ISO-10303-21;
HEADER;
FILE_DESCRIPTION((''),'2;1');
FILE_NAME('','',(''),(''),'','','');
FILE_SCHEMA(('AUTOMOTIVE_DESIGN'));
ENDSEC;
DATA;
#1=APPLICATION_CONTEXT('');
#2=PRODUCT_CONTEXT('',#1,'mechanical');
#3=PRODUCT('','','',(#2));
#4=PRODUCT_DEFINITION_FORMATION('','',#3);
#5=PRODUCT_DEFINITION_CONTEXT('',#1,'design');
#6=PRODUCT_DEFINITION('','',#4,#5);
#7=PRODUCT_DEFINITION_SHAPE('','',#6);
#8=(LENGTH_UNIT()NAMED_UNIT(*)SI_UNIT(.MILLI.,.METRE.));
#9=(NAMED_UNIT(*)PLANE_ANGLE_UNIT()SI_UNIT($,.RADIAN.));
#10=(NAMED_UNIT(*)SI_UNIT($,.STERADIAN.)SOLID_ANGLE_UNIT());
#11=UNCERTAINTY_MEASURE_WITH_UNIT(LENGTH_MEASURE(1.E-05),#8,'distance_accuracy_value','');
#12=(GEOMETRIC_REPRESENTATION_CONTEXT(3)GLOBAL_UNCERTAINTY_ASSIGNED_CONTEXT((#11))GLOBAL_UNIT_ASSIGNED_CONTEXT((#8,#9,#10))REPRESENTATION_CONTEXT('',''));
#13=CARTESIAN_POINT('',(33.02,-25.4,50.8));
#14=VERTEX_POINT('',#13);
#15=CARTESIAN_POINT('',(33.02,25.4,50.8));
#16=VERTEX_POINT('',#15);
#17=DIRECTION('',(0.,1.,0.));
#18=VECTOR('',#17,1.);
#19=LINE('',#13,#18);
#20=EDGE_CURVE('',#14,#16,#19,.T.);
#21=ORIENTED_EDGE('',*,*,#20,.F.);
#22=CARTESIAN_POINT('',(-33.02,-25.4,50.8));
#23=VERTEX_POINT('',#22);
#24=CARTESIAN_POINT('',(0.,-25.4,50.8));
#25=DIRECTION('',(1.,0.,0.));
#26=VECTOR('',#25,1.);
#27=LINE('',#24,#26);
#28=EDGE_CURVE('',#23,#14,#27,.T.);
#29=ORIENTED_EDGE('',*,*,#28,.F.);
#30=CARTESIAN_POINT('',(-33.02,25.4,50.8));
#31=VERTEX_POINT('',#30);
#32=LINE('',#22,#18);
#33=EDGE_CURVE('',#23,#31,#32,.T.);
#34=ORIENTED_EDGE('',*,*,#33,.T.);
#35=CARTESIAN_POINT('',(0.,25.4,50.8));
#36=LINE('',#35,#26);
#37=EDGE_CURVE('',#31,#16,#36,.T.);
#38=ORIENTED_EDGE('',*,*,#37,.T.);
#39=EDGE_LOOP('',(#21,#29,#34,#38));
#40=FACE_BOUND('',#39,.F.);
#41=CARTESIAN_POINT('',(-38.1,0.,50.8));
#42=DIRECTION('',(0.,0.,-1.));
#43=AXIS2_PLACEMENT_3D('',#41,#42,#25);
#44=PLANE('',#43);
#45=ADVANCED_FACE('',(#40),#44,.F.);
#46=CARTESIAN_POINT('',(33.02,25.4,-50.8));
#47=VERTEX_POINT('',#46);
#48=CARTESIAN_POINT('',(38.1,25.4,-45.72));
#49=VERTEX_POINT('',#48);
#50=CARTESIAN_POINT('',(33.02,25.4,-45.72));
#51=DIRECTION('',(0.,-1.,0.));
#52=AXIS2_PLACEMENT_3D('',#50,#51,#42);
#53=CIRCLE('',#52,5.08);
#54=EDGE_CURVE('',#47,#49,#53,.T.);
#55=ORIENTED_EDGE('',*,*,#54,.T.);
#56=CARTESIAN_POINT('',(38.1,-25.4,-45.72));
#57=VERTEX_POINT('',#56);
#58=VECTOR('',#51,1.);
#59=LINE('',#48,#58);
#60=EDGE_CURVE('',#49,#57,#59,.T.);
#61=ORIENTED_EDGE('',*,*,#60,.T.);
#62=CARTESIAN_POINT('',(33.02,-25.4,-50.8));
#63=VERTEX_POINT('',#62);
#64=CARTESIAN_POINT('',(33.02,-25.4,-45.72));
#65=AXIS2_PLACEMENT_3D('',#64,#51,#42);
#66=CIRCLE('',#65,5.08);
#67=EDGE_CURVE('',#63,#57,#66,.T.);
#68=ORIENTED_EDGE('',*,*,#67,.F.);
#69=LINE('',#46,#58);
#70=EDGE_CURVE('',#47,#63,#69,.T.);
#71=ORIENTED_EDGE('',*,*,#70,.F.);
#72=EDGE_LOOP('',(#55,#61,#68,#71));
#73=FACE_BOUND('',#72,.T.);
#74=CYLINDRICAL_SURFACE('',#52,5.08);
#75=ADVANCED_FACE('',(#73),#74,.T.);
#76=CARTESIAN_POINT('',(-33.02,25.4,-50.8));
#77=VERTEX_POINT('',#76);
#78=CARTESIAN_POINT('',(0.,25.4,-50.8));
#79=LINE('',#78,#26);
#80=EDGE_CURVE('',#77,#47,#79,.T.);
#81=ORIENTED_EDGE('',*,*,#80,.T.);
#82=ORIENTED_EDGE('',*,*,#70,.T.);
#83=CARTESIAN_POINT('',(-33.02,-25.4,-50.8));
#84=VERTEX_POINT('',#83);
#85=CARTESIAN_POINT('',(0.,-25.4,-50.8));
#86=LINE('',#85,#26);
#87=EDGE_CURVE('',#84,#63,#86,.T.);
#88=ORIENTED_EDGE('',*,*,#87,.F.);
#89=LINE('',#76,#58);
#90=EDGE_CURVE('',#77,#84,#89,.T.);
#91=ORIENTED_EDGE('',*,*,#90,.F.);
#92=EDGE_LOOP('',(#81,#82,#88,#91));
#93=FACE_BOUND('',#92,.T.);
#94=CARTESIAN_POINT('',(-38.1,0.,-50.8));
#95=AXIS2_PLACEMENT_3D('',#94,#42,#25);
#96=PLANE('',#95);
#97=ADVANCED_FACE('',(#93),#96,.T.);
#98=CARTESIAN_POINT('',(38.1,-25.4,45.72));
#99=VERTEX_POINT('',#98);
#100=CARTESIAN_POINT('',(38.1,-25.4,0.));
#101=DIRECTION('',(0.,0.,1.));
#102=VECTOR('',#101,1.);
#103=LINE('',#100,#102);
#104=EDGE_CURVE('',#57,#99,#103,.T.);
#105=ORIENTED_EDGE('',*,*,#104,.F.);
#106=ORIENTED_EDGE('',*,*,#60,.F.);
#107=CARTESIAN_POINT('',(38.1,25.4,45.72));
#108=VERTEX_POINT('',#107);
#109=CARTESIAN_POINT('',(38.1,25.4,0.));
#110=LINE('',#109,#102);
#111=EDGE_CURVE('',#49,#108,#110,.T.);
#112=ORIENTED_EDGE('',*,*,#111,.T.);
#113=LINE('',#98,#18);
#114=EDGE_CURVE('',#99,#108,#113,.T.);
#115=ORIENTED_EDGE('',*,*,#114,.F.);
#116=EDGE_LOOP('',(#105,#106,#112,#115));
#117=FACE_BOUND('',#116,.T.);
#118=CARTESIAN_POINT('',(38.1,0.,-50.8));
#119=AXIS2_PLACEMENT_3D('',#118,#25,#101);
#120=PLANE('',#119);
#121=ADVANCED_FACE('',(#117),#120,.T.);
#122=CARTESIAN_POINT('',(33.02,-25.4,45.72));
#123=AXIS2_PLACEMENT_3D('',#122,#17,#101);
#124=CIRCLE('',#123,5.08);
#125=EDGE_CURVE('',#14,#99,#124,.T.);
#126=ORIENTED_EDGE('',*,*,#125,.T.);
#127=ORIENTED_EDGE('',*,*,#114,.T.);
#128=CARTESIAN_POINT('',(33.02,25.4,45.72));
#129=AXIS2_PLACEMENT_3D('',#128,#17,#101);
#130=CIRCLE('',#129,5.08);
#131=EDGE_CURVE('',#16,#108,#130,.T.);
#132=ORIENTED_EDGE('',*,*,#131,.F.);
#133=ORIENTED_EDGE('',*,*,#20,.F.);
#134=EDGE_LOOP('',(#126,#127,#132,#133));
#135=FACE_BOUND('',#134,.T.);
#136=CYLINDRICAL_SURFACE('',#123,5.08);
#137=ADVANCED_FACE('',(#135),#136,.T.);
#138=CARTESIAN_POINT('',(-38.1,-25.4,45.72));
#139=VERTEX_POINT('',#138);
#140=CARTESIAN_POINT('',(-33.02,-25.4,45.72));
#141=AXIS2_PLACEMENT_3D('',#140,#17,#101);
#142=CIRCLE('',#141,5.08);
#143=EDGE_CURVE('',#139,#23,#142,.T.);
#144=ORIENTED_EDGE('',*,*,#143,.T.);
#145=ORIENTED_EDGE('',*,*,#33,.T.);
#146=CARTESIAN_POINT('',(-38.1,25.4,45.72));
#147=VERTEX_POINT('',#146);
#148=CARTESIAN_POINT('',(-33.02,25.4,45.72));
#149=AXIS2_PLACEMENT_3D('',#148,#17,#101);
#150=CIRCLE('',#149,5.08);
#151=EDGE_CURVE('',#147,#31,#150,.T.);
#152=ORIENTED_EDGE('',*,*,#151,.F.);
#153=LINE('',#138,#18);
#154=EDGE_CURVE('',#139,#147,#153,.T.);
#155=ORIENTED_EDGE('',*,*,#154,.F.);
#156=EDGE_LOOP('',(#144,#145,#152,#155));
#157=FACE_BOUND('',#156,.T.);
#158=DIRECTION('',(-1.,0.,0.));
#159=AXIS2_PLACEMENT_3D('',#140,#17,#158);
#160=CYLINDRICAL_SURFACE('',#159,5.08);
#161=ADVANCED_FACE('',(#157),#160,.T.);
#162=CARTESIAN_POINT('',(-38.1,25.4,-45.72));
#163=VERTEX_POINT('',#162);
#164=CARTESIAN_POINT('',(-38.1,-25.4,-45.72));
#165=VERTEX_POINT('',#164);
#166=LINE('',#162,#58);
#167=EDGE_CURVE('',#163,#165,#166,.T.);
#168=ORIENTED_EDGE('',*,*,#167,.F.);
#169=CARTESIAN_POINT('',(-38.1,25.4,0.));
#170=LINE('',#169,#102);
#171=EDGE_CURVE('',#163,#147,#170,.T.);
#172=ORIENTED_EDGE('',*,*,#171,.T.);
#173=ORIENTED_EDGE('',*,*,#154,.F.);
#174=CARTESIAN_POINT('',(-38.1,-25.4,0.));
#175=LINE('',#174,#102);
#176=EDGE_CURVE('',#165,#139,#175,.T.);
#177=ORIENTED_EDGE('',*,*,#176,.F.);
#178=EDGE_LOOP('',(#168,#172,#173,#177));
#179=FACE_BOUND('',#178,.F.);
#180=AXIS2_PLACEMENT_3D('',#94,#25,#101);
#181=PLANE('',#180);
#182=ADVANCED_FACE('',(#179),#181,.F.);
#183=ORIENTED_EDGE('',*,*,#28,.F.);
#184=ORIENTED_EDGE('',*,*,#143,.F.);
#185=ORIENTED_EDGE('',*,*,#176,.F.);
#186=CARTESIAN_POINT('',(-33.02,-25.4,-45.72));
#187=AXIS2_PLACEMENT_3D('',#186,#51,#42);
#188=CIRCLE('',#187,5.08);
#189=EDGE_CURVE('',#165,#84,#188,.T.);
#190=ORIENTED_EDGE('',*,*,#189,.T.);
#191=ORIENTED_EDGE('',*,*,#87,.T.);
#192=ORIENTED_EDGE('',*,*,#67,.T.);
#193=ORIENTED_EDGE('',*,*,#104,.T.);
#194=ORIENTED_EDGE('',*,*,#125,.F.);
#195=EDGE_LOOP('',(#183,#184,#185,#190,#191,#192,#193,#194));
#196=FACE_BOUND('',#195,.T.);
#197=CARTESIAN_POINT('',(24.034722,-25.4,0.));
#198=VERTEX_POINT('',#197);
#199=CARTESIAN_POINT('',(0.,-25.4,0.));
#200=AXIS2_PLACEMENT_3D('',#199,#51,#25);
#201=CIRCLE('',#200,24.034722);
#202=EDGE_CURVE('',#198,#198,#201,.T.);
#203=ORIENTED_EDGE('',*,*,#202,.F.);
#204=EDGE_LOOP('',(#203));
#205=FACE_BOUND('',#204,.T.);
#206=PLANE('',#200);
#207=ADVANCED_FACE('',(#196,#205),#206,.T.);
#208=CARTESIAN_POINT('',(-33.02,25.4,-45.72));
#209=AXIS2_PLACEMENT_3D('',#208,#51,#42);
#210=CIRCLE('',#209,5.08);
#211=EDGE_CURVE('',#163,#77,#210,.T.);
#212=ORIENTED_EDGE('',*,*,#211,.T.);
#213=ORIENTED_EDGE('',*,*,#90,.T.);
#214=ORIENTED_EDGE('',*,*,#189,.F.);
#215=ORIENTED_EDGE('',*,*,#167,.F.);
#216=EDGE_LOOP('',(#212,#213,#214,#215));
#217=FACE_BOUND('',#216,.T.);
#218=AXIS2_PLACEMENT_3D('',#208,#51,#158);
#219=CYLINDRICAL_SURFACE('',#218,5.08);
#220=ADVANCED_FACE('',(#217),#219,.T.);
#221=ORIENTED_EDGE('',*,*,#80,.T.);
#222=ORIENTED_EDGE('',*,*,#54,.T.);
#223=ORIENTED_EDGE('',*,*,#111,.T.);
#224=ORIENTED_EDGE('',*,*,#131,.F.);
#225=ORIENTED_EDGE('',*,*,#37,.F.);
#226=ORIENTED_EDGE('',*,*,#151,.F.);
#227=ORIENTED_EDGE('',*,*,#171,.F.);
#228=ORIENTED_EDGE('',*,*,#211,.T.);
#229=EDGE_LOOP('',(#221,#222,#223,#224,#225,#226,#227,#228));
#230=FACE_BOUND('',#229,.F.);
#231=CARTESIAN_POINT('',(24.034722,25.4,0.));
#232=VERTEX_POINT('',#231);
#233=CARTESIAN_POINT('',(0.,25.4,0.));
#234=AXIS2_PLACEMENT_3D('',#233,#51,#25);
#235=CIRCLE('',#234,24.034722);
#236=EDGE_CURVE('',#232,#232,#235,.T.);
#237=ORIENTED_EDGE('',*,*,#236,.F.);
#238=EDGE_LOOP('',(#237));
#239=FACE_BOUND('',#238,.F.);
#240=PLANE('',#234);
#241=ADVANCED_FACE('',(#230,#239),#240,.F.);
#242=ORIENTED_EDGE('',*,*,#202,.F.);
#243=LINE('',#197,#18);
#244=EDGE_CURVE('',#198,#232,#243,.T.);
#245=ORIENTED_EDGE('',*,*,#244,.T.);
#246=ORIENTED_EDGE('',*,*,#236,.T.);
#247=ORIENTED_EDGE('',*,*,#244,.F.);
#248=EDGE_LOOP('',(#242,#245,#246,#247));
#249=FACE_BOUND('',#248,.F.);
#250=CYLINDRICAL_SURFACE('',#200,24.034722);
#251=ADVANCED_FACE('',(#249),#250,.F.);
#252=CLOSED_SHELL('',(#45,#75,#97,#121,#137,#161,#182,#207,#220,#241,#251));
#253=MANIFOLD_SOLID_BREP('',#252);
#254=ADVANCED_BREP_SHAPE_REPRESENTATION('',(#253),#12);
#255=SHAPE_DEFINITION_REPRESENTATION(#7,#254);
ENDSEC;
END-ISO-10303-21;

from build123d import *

# Parameters (mm, degrees)
F0_W     = 76.2
F0_H     = 101.6
F1_DEPTH = 25.4
F2_R     = 24.034722
F3_DEPTH = 50.801
F4_R     = 5.08


with BuildPart() as f1:
    # F0 (on Front) → F1 (new body, symmetric)
    with BuildSketch(Plane.XZ):
        Rectangle(F0_W, F0_H)
    extrude(amount=F1_DEPTH, both=True)

    # F2 (on face) → F3 (cut, through all)
    with BuildSketch(Plane.XZ.offset(25.4)):
        Circle(F2_R)
    extrude(amount=-F3_DEPTH, mode=Mode.SUBTRACT)

    # F4
    f4_edges = [f1.edges().sort_by_distance(p)[0] for p in [
        (-38.1, 0, 50.8),
        (38.1, 0, 50.8),
        (38.1, 0, -50.8),
        (-38.1, 0, -50.8),
    ]]
    fillet(f4_edges, radius=F4_R)


solid = f1.part
